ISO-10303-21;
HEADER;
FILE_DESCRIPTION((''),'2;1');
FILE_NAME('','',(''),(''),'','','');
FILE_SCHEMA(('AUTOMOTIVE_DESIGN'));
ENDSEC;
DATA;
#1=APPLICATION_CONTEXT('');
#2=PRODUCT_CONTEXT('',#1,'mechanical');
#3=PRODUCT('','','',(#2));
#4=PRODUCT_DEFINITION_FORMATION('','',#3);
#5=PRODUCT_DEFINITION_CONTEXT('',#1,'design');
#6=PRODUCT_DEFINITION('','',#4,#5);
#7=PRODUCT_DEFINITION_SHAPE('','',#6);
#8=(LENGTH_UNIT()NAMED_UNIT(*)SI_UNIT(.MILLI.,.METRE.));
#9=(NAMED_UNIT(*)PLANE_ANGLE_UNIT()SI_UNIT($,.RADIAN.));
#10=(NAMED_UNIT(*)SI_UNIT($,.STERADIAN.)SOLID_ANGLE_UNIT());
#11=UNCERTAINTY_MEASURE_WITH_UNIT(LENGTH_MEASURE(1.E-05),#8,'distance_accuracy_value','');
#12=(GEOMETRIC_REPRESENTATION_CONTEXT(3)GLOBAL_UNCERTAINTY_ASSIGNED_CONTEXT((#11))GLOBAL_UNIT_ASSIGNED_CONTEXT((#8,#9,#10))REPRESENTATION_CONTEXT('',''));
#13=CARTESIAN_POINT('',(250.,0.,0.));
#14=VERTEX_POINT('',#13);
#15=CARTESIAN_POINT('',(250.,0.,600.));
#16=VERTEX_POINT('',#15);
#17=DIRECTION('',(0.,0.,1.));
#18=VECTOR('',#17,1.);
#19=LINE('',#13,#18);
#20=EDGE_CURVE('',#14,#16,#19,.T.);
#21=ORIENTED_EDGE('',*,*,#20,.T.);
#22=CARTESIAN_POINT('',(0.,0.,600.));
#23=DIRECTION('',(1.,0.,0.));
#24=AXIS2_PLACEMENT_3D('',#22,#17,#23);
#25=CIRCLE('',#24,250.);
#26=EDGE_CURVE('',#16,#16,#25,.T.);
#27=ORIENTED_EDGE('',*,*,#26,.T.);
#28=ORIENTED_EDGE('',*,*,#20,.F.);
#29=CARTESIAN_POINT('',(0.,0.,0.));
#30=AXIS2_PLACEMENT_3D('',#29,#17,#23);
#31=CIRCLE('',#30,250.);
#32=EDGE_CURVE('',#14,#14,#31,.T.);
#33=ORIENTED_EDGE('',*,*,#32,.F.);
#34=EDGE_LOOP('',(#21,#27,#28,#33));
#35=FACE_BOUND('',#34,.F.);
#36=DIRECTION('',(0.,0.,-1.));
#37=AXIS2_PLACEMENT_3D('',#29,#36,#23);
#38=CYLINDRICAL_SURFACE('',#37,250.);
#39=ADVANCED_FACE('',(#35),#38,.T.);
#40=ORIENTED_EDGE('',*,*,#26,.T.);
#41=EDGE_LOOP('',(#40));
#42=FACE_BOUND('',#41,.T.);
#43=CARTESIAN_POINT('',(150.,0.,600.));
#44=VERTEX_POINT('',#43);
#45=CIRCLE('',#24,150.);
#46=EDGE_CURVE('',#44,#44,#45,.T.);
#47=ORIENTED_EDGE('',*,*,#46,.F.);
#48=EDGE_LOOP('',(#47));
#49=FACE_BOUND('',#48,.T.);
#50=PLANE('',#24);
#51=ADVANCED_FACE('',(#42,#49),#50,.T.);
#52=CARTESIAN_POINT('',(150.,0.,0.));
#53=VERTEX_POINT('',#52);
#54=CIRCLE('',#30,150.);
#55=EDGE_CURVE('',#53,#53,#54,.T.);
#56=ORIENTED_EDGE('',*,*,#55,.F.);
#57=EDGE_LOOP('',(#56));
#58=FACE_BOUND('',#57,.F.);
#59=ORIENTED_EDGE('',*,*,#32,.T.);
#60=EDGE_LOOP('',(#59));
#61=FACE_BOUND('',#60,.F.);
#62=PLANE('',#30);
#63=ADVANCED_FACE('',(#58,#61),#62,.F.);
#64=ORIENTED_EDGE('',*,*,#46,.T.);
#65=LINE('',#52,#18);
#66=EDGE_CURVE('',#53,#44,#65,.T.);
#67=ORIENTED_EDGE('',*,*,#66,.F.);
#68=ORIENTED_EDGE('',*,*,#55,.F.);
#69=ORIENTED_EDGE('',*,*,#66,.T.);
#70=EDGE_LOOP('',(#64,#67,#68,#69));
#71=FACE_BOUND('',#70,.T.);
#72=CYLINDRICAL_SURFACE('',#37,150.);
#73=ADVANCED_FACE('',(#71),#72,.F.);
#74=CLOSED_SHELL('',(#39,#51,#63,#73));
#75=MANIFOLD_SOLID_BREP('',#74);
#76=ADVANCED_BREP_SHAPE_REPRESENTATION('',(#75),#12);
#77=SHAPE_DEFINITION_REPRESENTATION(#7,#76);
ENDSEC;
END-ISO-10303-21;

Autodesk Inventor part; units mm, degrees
ref_plane "YZ Plane" through (0, 0, 0) normal (1, 0, 0) x (0, 1, 0)
ref_plane "XZ Plane" through (0, 0, 0) normal (0, 1, 0) x (-1, 0, 0)
ref_plane "XY Plane" through (0, 0, 0) normal (0, 0, 1) x (1, 0, 0)
sketch "Sketch1" plane through (0, 0, 0) normal (0, 0, 1) x (1, 0, 0)
  circle A0 centre (0, 0) radius 150
  circle A1 centre (0, 0) radius 250
extrude "Extrusion1" add sketch "Sketch1" along normal blind 600 contours A0 | A1
extrude "Extrusion2" cut sketch "Sketch1" along normal blind 600 contours A0
thread "Thread1" size "M10x1.5" class "6g" standard "ANSI Metric M Profile" full length
properties part number "god-macro-test"
